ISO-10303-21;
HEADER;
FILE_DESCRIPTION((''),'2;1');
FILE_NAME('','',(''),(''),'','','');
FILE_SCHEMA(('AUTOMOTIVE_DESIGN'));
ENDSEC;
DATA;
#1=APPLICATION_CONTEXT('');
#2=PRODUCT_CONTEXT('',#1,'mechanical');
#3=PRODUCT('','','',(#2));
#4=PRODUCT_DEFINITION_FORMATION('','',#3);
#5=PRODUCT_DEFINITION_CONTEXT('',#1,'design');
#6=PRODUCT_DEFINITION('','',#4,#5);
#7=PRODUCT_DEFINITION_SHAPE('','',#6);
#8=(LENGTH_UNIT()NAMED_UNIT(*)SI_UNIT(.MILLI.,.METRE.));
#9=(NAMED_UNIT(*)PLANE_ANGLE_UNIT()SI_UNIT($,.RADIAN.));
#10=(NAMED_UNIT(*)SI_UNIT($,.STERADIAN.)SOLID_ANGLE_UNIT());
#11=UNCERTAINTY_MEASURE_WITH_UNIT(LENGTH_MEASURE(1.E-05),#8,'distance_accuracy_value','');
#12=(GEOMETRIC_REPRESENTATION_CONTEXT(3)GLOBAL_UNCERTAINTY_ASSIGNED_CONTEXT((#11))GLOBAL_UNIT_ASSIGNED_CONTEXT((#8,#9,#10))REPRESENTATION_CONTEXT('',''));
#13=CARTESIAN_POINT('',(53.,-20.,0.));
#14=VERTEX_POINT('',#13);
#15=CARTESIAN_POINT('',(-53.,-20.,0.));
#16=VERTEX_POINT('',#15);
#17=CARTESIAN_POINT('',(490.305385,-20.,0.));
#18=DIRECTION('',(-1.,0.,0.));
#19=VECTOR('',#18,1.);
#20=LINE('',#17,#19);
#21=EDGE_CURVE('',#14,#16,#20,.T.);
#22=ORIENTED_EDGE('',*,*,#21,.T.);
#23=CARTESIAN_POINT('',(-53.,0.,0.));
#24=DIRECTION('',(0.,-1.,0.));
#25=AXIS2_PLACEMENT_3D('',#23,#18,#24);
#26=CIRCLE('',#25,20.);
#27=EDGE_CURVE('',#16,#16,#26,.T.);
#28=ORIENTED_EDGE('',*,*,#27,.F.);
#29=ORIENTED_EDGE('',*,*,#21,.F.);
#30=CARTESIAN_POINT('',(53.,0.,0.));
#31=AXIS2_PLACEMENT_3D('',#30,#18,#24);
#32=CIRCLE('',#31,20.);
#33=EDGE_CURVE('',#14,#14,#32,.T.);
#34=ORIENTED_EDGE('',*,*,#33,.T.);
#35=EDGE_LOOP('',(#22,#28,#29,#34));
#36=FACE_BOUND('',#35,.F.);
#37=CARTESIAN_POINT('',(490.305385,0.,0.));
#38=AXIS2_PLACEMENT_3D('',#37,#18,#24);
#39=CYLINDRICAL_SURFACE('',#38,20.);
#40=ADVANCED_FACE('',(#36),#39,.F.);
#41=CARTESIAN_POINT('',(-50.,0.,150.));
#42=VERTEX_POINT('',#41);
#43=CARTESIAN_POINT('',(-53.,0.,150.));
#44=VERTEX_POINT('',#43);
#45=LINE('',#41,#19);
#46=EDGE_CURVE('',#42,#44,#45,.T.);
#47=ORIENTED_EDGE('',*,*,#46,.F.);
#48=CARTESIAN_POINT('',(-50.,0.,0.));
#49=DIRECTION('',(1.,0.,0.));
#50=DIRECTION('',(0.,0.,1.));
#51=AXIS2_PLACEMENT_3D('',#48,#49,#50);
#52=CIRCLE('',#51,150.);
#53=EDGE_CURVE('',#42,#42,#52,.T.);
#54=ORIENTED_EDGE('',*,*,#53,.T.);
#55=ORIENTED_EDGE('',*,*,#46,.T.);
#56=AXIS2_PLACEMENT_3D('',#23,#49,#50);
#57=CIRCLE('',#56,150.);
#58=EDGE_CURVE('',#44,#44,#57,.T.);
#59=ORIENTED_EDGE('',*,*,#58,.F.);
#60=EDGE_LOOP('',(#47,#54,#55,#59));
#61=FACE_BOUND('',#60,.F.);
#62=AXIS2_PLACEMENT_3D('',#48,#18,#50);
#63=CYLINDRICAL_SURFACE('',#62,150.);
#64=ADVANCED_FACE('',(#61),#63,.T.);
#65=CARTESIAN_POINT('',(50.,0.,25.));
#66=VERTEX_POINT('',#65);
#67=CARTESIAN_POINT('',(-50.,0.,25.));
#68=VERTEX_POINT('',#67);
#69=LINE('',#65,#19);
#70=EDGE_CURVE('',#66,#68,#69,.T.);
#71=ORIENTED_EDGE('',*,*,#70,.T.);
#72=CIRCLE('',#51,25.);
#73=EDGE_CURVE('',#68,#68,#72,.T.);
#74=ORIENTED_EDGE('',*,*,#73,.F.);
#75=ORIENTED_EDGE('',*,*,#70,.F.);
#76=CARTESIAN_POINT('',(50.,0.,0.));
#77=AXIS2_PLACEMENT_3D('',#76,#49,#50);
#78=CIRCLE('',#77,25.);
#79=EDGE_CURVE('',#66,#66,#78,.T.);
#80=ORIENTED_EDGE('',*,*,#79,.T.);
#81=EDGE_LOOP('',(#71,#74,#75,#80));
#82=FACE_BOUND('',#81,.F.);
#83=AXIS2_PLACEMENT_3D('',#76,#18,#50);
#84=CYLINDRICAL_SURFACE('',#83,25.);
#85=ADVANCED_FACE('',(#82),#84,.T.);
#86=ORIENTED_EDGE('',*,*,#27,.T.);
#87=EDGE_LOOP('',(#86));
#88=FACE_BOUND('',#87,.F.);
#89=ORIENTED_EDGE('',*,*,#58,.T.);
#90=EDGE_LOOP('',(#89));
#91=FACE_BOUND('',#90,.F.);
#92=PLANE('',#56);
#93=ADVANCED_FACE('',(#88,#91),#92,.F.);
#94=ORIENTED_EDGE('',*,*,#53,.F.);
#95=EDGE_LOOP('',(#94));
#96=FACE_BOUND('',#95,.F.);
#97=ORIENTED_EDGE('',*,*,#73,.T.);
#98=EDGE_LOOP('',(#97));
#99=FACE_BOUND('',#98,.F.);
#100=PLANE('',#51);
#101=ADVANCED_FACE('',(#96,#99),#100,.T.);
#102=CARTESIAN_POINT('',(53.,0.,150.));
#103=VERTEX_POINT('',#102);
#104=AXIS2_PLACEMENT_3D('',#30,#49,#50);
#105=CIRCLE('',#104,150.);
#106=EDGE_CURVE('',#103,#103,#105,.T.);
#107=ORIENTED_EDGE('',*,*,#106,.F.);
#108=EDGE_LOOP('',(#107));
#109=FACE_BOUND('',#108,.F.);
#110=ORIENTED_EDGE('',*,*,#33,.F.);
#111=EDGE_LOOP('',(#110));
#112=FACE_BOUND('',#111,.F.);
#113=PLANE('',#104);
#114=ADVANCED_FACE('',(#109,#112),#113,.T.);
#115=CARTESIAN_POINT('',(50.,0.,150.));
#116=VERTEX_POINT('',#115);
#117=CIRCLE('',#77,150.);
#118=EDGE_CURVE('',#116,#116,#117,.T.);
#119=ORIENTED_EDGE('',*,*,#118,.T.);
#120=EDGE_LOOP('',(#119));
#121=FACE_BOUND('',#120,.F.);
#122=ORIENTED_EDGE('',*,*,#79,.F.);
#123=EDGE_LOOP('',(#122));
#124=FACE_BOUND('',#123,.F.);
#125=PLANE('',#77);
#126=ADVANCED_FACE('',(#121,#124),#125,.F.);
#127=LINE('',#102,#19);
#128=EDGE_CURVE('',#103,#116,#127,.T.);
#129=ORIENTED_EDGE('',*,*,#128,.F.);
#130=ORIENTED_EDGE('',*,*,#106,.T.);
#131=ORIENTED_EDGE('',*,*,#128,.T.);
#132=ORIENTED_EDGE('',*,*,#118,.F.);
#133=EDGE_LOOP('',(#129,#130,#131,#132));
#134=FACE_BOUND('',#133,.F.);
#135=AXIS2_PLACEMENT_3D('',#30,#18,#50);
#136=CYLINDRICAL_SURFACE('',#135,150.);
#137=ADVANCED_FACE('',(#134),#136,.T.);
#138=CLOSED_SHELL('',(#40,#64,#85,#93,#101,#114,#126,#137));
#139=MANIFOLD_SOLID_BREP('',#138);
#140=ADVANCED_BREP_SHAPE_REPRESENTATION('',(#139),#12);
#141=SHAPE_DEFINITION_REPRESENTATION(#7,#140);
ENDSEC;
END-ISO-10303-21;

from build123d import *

# Parameters (mm, degrees)
F3_D = 40


with BuildPart() as f1:
    # F0 (on Front) → F1 (revolve)
    with BuildSketch(Plane.XZ):
        Polygon((50, 25), (0, 25), (-50, 25), (-50, 150), (-53, 150), (-53, 0), (0, 0), (53, 0), (53, 150), (50, 150), align=None)
    revolve(axis=Axis((58.566779, 0, 0), (1, 0, 0)))

    # F3 (through all)
    with Locations(Plane.YZ.offset(53)):
        with Locations((0, 0)):
            Hole(F3_D / 2)


solid = f1.part
